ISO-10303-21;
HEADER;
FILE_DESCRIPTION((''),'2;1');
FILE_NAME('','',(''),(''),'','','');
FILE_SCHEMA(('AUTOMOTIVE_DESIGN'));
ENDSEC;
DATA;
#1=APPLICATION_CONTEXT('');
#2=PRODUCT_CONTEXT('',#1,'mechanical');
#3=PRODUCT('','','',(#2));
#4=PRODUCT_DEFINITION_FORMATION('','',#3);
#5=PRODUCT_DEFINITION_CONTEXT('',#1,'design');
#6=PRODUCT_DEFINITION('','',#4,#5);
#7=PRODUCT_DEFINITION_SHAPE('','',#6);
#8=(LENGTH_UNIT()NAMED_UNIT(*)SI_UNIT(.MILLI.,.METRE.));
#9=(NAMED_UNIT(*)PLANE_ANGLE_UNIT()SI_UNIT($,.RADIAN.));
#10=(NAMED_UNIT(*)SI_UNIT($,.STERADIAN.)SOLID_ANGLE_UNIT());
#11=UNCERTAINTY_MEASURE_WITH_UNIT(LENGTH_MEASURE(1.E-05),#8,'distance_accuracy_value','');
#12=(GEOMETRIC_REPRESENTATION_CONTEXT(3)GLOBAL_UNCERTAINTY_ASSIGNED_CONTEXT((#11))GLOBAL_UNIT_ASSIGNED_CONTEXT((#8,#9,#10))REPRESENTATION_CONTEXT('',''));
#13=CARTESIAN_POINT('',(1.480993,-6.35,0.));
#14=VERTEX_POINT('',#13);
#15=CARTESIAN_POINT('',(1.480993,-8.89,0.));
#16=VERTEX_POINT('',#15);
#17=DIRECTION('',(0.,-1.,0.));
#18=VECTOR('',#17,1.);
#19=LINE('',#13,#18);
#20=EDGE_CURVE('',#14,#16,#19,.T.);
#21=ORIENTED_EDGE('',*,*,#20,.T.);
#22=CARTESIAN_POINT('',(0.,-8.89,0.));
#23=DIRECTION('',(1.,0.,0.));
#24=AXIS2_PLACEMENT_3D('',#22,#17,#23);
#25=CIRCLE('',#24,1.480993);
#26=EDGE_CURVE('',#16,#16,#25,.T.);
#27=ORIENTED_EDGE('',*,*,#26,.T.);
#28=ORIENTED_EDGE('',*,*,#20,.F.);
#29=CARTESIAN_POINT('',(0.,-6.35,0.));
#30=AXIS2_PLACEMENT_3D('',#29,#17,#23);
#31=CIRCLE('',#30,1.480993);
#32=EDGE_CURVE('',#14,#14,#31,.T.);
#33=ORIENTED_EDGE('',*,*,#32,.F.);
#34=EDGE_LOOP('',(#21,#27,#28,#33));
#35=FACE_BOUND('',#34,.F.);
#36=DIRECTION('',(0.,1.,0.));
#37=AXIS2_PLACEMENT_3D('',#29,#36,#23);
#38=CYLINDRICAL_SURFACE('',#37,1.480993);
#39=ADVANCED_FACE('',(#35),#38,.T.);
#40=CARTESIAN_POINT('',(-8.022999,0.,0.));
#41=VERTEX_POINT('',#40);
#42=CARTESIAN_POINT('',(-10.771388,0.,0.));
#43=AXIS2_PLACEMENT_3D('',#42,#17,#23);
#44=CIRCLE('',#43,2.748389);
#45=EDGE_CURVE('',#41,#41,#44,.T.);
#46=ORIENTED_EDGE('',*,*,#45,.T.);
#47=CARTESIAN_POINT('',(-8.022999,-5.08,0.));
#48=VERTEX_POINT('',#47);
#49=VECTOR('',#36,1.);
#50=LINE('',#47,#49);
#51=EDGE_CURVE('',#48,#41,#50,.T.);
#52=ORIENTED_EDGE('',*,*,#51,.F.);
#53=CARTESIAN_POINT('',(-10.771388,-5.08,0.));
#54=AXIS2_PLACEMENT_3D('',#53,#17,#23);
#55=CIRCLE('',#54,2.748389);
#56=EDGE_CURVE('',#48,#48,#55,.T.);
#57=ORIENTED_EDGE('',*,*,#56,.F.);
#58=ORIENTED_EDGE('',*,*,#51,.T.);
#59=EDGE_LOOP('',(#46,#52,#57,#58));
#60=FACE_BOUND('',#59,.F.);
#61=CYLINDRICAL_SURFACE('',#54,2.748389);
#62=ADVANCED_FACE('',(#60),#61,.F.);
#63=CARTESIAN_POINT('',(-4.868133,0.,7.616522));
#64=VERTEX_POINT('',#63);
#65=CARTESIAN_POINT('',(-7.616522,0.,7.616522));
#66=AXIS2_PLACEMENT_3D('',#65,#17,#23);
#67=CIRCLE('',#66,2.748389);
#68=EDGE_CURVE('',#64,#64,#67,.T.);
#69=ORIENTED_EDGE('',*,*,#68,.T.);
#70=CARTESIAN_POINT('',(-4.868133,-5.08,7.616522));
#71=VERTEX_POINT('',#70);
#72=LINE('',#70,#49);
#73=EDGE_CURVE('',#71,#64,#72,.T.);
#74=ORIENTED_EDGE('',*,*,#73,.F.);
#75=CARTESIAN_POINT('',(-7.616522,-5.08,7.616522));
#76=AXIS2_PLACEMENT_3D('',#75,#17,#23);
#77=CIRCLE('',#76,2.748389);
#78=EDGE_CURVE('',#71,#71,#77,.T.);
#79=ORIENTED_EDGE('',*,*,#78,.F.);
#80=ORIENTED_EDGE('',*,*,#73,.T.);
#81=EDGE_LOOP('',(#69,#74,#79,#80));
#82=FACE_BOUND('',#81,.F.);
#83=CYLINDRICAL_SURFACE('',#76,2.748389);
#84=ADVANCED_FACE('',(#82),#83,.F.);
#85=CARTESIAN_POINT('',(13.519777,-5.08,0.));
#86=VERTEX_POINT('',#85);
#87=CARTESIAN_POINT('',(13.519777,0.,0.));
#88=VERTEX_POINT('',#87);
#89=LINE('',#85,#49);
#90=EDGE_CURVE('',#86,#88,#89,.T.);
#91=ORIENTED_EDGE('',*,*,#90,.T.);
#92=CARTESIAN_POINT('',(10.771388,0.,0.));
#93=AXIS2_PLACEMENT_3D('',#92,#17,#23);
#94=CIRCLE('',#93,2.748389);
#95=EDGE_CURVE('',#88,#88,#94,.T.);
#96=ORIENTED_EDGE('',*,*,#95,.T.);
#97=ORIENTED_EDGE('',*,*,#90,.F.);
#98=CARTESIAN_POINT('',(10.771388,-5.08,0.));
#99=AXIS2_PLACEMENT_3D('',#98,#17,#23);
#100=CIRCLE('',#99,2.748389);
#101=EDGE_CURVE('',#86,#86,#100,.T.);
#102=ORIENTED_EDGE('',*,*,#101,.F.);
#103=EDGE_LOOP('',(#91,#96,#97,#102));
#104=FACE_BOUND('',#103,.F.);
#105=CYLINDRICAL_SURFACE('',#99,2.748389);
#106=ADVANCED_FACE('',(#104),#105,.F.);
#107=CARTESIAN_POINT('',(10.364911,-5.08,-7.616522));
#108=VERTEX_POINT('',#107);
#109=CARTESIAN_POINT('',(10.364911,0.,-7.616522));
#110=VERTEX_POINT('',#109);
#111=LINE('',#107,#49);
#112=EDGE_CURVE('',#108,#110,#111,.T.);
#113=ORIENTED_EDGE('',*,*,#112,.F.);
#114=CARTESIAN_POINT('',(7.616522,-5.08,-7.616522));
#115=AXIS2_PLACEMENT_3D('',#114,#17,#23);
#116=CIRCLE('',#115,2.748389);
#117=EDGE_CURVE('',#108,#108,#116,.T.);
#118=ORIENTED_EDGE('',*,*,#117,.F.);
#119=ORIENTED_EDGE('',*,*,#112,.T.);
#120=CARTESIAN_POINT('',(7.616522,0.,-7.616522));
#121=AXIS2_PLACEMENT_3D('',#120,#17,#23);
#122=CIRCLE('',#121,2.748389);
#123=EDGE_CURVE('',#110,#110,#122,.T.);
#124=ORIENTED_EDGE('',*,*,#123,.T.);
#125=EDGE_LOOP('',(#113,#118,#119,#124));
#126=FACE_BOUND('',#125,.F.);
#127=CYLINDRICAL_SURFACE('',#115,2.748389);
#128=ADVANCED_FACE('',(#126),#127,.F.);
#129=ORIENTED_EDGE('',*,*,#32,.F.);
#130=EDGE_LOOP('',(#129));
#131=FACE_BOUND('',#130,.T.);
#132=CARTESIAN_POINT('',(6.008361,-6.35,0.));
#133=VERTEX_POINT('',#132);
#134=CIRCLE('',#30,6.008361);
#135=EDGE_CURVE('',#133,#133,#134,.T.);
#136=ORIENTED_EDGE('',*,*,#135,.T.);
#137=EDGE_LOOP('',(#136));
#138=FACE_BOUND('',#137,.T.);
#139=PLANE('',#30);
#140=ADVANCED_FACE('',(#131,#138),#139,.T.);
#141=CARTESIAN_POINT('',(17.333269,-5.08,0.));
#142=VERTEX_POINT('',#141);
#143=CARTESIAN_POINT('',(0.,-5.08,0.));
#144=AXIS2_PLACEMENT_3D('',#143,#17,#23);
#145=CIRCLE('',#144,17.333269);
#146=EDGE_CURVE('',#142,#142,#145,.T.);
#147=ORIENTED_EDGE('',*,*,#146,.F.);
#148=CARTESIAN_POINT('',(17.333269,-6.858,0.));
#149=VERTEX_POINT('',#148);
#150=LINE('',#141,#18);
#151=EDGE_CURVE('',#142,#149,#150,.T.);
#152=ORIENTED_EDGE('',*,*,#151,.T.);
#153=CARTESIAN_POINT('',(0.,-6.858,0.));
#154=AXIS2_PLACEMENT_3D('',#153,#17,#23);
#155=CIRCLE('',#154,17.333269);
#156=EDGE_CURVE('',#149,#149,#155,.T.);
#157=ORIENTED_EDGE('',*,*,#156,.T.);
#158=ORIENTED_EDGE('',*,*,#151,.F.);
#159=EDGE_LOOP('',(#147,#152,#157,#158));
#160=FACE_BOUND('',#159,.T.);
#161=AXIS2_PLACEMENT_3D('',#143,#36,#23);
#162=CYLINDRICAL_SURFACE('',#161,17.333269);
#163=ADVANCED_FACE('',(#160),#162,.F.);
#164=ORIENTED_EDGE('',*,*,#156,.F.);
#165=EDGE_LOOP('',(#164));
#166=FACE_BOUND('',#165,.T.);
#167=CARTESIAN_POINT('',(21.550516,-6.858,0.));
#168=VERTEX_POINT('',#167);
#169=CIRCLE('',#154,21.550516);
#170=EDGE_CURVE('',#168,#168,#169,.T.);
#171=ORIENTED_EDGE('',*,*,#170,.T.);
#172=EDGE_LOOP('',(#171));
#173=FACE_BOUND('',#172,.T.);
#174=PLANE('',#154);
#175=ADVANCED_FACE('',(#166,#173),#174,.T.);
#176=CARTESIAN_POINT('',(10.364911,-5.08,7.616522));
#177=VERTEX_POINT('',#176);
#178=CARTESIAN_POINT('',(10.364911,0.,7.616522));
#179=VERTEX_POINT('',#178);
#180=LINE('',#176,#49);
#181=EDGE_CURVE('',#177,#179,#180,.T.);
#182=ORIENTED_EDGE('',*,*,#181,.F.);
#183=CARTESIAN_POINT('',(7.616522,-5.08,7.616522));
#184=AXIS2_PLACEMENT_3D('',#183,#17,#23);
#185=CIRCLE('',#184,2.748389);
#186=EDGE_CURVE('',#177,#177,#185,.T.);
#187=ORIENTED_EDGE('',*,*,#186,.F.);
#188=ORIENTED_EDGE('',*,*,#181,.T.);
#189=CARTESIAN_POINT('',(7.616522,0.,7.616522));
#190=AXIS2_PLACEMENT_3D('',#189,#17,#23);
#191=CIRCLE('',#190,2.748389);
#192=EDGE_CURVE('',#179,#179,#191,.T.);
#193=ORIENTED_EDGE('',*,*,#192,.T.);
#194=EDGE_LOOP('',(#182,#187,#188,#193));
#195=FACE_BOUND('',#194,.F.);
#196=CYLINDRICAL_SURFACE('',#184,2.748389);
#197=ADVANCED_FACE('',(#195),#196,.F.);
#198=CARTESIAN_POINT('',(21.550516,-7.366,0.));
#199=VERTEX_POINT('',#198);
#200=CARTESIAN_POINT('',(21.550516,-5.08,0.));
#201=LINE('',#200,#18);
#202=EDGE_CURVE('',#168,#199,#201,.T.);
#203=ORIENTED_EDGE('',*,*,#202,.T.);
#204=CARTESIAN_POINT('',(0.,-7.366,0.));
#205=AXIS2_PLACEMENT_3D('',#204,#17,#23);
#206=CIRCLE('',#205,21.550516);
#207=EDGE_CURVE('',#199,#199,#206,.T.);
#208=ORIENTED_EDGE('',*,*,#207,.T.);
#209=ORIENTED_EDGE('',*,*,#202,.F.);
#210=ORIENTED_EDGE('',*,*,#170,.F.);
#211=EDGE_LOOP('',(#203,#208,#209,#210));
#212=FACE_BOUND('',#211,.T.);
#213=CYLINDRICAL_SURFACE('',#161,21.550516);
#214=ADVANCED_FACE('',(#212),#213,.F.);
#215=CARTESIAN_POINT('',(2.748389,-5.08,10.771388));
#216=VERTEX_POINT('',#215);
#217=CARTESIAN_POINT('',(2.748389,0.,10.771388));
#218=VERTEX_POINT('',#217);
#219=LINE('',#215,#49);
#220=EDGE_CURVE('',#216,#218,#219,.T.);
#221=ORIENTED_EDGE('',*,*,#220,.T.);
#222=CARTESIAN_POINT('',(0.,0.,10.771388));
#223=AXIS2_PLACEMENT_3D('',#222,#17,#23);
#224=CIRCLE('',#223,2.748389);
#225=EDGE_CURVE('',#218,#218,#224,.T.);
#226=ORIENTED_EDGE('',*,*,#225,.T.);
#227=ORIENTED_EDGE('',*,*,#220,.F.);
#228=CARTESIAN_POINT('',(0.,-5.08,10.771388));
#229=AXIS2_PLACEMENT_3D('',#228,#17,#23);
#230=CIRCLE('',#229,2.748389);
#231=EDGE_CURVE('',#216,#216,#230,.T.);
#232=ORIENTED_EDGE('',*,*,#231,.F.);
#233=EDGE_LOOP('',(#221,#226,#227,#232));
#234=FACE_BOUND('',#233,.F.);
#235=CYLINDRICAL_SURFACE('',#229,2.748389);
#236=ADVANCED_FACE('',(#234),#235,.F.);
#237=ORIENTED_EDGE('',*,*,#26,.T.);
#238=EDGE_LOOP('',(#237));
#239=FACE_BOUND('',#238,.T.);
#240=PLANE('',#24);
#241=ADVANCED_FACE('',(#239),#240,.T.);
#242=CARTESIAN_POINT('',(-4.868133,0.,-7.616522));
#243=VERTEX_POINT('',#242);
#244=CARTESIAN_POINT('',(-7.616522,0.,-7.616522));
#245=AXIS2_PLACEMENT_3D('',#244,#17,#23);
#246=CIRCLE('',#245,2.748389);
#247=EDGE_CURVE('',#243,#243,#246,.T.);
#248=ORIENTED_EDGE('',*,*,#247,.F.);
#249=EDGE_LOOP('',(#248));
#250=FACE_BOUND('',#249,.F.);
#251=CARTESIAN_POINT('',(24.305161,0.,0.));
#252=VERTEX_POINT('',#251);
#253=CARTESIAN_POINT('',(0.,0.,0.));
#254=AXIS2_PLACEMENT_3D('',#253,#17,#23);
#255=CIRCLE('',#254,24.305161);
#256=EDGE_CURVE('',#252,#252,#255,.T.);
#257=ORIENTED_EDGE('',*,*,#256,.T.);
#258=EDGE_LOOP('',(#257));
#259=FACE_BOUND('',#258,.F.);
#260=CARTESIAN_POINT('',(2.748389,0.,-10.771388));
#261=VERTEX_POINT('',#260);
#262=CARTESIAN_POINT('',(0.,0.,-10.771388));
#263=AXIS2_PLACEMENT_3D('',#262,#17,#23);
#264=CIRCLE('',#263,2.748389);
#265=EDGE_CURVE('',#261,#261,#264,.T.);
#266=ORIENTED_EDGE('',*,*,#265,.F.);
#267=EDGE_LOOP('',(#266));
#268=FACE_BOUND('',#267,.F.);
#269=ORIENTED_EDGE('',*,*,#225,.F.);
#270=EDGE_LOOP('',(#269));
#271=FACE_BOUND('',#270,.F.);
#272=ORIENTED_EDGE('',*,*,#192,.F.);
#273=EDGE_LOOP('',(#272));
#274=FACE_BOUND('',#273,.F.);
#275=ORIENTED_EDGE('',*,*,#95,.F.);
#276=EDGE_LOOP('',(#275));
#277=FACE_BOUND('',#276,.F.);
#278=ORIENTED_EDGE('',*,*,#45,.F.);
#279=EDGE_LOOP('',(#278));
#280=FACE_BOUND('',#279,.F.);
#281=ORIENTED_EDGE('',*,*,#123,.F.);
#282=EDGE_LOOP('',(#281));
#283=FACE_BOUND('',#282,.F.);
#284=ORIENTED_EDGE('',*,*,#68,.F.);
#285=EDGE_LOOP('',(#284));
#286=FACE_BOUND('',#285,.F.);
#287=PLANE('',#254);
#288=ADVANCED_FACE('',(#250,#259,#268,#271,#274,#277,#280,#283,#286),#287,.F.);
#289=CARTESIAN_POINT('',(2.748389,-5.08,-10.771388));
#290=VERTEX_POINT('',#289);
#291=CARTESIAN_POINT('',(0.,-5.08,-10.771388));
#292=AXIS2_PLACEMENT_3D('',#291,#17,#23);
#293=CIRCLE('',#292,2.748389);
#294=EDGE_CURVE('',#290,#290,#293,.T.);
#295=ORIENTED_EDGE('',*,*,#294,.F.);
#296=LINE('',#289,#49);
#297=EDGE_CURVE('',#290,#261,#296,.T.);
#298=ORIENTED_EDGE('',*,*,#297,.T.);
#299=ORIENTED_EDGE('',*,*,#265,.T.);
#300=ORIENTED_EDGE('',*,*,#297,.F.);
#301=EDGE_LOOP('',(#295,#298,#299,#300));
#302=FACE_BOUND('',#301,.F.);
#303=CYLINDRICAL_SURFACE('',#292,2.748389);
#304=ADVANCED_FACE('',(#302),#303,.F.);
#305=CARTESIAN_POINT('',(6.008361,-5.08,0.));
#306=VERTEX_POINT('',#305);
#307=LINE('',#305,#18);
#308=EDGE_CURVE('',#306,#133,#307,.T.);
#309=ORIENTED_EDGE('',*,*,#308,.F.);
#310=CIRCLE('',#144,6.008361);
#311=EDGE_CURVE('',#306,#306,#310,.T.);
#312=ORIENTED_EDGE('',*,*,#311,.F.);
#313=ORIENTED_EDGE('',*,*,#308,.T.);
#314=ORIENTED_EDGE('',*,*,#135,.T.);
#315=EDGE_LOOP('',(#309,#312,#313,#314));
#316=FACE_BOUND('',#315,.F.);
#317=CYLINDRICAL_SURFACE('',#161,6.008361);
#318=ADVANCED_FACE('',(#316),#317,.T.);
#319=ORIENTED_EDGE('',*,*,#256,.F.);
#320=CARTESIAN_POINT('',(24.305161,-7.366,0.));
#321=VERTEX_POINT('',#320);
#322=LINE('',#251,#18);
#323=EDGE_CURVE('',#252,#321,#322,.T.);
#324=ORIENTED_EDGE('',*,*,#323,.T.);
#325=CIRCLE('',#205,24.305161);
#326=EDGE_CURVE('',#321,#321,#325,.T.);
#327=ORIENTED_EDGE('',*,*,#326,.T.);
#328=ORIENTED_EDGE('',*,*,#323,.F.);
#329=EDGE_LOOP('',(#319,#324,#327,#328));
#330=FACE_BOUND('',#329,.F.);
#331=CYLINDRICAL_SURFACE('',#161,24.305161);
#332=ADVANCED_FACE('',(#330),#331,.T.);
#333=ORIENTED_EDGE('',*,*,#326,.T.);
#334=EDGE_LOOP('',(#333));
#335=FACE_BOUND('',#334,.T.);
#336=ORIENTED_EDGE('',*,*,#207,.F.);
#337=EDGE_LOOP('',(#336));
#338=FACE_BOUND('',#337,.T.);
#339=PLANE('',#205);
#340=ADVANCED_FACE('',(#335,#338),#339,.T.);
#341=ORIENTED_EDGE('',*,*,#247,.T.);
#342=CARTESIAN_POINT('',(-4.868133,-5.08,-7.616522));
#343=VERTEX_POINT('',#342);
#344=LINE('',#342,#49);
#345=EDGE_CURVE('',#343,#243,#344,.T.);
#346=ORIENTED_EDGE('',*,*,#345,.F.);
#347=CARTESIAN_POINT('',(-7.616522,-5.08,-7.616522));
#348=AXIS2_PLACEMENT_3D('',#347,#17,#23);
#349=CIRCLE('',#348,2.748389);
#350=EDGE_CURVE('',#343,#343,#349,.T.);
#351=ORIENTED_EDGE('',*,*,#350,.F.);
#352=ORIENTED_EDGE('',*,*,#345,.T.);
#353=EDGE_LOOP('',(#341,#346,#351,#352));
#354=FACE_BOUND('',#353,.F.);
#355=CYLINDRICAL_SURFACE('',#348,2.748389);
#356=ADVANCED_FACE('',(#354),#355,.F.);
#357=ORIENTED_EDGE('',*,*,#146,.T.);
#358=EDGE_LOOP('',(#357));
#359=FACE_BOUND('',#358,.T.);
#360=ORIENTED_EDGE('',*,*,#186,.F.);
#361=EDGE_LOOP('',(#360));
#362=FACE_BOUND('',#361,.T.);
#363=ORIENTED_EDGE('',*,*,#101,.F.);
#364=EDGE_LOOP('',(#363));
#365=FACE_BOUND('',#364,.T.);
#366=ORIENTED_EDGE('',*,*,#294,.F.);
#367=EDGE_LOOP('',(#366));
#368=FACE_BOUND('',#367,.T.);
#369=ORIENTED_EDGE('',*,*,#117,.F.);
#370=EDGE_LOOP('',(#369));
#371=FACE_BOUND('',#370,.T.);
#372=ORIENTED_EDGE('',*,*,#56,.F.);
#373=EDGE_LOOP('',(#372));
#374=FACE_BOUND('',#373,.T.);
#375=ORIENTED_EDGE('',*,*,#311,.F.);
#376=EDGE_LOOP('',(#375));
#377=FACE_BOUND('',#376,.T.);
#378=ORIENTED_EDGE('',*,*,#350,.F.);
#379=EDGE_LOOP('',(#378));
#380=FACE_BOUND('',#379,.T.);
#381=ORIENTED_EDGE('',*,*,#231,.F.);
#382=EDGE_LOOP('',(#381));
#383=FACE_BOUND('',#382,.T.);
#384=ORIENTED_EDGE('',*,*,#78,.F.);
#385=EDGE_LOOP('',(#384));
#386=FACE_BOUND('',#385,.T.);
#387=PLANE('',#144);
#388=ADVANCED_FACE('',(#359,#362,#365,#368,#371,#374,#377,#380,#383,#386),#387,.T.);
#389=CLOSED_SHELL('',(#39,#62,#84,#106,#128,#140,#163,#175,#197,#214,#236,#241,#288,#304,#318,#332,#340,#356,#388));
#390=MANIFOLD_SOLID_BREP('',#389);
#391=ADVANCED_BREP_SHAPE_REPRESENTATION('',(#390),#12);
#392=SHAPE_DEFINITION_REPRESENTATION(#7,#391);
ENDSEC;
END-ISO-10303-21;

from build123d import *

# Parameters (mm, degrees)
F0_R      = 24.305161
F1_DEPTH  = 5.08
F2_R      = 24.305161
F2_R_2    = 21.550516
F5_DEPTH  = 2.286
F4_R      = 21.550516
F4_R_2    = 17.333269
F6_DEPTH  = 1.778
F3_R      = 6.008361
F7_DEPTH  = 1.27
F8_R      = 1.480993
F9_DEPTH  = 2.54
F10_R     = 2.748389
F11_DEPTH = 25.4


with BuildPart() as f1:
    # F0 (on Front) → F1 (new body)
    with BuildSketch(Plane.XZ):
        Circle(F0_R)
    extrude(amount=F1_DEPTH)

    # F2 (on face) → F5 (join)
    with BuildSketch(Plane.XZ.offset(5.08)):
        Circle(F2_R)
        Circle(F2_R_2, mode=Mode.SUBTRACT)
    extrude(amount=F5_DEPTH)

    # F4 (on face) → F6 (join)
    with BuildSketch(Plane.XZ.offset(5.08)):
        Circle(F4_R)
        Circle(F4_R_2, mode=Mode.SUBTRACT)
    extrude(amount=F6_DEPTH)

    # F3 (on face) → F7 (join)
    with BuildSketch(Plane.XZ.offset(5.08)):
        Circle(F3_R)
    extrude(amount=F7_DEPTH)

    # F8 (on face) → F9 (join)
    with BuildSketch(Plane.XZ.offset(6.35)):
        Circle(F8_R)
    extrude(amount=F9_DEPTH)

    # F10 (on face) → F11 (cut)
    with BuildSketch(Plane.XZ.offset(5.08)):
        with Locations((0, 10.771388)):
            Circle(F10_R)
        with Locations((7.616522, 7.616522)):
            Circle(F10_R)
        with Locations((10.771388, 0)):
            Circle(F10_R)
        with Locations((7.616522, -7.616522)):
            Circle(F10_R)
        with Locations((0, -10.771388)):
            Circle(F10_R)
        with Locations((-7.616522, -7.616522)):
            Circle(F10_R)
        with Locations((-10.771388, 0)):
            Circle(F10_R)
        with Locations((-7.616522, 7.616522)):
            Circle(F10_R)
    extrude(amount=-F11_DEPTH, mode=Mode.SUBTRACT)


solid = f1.part
